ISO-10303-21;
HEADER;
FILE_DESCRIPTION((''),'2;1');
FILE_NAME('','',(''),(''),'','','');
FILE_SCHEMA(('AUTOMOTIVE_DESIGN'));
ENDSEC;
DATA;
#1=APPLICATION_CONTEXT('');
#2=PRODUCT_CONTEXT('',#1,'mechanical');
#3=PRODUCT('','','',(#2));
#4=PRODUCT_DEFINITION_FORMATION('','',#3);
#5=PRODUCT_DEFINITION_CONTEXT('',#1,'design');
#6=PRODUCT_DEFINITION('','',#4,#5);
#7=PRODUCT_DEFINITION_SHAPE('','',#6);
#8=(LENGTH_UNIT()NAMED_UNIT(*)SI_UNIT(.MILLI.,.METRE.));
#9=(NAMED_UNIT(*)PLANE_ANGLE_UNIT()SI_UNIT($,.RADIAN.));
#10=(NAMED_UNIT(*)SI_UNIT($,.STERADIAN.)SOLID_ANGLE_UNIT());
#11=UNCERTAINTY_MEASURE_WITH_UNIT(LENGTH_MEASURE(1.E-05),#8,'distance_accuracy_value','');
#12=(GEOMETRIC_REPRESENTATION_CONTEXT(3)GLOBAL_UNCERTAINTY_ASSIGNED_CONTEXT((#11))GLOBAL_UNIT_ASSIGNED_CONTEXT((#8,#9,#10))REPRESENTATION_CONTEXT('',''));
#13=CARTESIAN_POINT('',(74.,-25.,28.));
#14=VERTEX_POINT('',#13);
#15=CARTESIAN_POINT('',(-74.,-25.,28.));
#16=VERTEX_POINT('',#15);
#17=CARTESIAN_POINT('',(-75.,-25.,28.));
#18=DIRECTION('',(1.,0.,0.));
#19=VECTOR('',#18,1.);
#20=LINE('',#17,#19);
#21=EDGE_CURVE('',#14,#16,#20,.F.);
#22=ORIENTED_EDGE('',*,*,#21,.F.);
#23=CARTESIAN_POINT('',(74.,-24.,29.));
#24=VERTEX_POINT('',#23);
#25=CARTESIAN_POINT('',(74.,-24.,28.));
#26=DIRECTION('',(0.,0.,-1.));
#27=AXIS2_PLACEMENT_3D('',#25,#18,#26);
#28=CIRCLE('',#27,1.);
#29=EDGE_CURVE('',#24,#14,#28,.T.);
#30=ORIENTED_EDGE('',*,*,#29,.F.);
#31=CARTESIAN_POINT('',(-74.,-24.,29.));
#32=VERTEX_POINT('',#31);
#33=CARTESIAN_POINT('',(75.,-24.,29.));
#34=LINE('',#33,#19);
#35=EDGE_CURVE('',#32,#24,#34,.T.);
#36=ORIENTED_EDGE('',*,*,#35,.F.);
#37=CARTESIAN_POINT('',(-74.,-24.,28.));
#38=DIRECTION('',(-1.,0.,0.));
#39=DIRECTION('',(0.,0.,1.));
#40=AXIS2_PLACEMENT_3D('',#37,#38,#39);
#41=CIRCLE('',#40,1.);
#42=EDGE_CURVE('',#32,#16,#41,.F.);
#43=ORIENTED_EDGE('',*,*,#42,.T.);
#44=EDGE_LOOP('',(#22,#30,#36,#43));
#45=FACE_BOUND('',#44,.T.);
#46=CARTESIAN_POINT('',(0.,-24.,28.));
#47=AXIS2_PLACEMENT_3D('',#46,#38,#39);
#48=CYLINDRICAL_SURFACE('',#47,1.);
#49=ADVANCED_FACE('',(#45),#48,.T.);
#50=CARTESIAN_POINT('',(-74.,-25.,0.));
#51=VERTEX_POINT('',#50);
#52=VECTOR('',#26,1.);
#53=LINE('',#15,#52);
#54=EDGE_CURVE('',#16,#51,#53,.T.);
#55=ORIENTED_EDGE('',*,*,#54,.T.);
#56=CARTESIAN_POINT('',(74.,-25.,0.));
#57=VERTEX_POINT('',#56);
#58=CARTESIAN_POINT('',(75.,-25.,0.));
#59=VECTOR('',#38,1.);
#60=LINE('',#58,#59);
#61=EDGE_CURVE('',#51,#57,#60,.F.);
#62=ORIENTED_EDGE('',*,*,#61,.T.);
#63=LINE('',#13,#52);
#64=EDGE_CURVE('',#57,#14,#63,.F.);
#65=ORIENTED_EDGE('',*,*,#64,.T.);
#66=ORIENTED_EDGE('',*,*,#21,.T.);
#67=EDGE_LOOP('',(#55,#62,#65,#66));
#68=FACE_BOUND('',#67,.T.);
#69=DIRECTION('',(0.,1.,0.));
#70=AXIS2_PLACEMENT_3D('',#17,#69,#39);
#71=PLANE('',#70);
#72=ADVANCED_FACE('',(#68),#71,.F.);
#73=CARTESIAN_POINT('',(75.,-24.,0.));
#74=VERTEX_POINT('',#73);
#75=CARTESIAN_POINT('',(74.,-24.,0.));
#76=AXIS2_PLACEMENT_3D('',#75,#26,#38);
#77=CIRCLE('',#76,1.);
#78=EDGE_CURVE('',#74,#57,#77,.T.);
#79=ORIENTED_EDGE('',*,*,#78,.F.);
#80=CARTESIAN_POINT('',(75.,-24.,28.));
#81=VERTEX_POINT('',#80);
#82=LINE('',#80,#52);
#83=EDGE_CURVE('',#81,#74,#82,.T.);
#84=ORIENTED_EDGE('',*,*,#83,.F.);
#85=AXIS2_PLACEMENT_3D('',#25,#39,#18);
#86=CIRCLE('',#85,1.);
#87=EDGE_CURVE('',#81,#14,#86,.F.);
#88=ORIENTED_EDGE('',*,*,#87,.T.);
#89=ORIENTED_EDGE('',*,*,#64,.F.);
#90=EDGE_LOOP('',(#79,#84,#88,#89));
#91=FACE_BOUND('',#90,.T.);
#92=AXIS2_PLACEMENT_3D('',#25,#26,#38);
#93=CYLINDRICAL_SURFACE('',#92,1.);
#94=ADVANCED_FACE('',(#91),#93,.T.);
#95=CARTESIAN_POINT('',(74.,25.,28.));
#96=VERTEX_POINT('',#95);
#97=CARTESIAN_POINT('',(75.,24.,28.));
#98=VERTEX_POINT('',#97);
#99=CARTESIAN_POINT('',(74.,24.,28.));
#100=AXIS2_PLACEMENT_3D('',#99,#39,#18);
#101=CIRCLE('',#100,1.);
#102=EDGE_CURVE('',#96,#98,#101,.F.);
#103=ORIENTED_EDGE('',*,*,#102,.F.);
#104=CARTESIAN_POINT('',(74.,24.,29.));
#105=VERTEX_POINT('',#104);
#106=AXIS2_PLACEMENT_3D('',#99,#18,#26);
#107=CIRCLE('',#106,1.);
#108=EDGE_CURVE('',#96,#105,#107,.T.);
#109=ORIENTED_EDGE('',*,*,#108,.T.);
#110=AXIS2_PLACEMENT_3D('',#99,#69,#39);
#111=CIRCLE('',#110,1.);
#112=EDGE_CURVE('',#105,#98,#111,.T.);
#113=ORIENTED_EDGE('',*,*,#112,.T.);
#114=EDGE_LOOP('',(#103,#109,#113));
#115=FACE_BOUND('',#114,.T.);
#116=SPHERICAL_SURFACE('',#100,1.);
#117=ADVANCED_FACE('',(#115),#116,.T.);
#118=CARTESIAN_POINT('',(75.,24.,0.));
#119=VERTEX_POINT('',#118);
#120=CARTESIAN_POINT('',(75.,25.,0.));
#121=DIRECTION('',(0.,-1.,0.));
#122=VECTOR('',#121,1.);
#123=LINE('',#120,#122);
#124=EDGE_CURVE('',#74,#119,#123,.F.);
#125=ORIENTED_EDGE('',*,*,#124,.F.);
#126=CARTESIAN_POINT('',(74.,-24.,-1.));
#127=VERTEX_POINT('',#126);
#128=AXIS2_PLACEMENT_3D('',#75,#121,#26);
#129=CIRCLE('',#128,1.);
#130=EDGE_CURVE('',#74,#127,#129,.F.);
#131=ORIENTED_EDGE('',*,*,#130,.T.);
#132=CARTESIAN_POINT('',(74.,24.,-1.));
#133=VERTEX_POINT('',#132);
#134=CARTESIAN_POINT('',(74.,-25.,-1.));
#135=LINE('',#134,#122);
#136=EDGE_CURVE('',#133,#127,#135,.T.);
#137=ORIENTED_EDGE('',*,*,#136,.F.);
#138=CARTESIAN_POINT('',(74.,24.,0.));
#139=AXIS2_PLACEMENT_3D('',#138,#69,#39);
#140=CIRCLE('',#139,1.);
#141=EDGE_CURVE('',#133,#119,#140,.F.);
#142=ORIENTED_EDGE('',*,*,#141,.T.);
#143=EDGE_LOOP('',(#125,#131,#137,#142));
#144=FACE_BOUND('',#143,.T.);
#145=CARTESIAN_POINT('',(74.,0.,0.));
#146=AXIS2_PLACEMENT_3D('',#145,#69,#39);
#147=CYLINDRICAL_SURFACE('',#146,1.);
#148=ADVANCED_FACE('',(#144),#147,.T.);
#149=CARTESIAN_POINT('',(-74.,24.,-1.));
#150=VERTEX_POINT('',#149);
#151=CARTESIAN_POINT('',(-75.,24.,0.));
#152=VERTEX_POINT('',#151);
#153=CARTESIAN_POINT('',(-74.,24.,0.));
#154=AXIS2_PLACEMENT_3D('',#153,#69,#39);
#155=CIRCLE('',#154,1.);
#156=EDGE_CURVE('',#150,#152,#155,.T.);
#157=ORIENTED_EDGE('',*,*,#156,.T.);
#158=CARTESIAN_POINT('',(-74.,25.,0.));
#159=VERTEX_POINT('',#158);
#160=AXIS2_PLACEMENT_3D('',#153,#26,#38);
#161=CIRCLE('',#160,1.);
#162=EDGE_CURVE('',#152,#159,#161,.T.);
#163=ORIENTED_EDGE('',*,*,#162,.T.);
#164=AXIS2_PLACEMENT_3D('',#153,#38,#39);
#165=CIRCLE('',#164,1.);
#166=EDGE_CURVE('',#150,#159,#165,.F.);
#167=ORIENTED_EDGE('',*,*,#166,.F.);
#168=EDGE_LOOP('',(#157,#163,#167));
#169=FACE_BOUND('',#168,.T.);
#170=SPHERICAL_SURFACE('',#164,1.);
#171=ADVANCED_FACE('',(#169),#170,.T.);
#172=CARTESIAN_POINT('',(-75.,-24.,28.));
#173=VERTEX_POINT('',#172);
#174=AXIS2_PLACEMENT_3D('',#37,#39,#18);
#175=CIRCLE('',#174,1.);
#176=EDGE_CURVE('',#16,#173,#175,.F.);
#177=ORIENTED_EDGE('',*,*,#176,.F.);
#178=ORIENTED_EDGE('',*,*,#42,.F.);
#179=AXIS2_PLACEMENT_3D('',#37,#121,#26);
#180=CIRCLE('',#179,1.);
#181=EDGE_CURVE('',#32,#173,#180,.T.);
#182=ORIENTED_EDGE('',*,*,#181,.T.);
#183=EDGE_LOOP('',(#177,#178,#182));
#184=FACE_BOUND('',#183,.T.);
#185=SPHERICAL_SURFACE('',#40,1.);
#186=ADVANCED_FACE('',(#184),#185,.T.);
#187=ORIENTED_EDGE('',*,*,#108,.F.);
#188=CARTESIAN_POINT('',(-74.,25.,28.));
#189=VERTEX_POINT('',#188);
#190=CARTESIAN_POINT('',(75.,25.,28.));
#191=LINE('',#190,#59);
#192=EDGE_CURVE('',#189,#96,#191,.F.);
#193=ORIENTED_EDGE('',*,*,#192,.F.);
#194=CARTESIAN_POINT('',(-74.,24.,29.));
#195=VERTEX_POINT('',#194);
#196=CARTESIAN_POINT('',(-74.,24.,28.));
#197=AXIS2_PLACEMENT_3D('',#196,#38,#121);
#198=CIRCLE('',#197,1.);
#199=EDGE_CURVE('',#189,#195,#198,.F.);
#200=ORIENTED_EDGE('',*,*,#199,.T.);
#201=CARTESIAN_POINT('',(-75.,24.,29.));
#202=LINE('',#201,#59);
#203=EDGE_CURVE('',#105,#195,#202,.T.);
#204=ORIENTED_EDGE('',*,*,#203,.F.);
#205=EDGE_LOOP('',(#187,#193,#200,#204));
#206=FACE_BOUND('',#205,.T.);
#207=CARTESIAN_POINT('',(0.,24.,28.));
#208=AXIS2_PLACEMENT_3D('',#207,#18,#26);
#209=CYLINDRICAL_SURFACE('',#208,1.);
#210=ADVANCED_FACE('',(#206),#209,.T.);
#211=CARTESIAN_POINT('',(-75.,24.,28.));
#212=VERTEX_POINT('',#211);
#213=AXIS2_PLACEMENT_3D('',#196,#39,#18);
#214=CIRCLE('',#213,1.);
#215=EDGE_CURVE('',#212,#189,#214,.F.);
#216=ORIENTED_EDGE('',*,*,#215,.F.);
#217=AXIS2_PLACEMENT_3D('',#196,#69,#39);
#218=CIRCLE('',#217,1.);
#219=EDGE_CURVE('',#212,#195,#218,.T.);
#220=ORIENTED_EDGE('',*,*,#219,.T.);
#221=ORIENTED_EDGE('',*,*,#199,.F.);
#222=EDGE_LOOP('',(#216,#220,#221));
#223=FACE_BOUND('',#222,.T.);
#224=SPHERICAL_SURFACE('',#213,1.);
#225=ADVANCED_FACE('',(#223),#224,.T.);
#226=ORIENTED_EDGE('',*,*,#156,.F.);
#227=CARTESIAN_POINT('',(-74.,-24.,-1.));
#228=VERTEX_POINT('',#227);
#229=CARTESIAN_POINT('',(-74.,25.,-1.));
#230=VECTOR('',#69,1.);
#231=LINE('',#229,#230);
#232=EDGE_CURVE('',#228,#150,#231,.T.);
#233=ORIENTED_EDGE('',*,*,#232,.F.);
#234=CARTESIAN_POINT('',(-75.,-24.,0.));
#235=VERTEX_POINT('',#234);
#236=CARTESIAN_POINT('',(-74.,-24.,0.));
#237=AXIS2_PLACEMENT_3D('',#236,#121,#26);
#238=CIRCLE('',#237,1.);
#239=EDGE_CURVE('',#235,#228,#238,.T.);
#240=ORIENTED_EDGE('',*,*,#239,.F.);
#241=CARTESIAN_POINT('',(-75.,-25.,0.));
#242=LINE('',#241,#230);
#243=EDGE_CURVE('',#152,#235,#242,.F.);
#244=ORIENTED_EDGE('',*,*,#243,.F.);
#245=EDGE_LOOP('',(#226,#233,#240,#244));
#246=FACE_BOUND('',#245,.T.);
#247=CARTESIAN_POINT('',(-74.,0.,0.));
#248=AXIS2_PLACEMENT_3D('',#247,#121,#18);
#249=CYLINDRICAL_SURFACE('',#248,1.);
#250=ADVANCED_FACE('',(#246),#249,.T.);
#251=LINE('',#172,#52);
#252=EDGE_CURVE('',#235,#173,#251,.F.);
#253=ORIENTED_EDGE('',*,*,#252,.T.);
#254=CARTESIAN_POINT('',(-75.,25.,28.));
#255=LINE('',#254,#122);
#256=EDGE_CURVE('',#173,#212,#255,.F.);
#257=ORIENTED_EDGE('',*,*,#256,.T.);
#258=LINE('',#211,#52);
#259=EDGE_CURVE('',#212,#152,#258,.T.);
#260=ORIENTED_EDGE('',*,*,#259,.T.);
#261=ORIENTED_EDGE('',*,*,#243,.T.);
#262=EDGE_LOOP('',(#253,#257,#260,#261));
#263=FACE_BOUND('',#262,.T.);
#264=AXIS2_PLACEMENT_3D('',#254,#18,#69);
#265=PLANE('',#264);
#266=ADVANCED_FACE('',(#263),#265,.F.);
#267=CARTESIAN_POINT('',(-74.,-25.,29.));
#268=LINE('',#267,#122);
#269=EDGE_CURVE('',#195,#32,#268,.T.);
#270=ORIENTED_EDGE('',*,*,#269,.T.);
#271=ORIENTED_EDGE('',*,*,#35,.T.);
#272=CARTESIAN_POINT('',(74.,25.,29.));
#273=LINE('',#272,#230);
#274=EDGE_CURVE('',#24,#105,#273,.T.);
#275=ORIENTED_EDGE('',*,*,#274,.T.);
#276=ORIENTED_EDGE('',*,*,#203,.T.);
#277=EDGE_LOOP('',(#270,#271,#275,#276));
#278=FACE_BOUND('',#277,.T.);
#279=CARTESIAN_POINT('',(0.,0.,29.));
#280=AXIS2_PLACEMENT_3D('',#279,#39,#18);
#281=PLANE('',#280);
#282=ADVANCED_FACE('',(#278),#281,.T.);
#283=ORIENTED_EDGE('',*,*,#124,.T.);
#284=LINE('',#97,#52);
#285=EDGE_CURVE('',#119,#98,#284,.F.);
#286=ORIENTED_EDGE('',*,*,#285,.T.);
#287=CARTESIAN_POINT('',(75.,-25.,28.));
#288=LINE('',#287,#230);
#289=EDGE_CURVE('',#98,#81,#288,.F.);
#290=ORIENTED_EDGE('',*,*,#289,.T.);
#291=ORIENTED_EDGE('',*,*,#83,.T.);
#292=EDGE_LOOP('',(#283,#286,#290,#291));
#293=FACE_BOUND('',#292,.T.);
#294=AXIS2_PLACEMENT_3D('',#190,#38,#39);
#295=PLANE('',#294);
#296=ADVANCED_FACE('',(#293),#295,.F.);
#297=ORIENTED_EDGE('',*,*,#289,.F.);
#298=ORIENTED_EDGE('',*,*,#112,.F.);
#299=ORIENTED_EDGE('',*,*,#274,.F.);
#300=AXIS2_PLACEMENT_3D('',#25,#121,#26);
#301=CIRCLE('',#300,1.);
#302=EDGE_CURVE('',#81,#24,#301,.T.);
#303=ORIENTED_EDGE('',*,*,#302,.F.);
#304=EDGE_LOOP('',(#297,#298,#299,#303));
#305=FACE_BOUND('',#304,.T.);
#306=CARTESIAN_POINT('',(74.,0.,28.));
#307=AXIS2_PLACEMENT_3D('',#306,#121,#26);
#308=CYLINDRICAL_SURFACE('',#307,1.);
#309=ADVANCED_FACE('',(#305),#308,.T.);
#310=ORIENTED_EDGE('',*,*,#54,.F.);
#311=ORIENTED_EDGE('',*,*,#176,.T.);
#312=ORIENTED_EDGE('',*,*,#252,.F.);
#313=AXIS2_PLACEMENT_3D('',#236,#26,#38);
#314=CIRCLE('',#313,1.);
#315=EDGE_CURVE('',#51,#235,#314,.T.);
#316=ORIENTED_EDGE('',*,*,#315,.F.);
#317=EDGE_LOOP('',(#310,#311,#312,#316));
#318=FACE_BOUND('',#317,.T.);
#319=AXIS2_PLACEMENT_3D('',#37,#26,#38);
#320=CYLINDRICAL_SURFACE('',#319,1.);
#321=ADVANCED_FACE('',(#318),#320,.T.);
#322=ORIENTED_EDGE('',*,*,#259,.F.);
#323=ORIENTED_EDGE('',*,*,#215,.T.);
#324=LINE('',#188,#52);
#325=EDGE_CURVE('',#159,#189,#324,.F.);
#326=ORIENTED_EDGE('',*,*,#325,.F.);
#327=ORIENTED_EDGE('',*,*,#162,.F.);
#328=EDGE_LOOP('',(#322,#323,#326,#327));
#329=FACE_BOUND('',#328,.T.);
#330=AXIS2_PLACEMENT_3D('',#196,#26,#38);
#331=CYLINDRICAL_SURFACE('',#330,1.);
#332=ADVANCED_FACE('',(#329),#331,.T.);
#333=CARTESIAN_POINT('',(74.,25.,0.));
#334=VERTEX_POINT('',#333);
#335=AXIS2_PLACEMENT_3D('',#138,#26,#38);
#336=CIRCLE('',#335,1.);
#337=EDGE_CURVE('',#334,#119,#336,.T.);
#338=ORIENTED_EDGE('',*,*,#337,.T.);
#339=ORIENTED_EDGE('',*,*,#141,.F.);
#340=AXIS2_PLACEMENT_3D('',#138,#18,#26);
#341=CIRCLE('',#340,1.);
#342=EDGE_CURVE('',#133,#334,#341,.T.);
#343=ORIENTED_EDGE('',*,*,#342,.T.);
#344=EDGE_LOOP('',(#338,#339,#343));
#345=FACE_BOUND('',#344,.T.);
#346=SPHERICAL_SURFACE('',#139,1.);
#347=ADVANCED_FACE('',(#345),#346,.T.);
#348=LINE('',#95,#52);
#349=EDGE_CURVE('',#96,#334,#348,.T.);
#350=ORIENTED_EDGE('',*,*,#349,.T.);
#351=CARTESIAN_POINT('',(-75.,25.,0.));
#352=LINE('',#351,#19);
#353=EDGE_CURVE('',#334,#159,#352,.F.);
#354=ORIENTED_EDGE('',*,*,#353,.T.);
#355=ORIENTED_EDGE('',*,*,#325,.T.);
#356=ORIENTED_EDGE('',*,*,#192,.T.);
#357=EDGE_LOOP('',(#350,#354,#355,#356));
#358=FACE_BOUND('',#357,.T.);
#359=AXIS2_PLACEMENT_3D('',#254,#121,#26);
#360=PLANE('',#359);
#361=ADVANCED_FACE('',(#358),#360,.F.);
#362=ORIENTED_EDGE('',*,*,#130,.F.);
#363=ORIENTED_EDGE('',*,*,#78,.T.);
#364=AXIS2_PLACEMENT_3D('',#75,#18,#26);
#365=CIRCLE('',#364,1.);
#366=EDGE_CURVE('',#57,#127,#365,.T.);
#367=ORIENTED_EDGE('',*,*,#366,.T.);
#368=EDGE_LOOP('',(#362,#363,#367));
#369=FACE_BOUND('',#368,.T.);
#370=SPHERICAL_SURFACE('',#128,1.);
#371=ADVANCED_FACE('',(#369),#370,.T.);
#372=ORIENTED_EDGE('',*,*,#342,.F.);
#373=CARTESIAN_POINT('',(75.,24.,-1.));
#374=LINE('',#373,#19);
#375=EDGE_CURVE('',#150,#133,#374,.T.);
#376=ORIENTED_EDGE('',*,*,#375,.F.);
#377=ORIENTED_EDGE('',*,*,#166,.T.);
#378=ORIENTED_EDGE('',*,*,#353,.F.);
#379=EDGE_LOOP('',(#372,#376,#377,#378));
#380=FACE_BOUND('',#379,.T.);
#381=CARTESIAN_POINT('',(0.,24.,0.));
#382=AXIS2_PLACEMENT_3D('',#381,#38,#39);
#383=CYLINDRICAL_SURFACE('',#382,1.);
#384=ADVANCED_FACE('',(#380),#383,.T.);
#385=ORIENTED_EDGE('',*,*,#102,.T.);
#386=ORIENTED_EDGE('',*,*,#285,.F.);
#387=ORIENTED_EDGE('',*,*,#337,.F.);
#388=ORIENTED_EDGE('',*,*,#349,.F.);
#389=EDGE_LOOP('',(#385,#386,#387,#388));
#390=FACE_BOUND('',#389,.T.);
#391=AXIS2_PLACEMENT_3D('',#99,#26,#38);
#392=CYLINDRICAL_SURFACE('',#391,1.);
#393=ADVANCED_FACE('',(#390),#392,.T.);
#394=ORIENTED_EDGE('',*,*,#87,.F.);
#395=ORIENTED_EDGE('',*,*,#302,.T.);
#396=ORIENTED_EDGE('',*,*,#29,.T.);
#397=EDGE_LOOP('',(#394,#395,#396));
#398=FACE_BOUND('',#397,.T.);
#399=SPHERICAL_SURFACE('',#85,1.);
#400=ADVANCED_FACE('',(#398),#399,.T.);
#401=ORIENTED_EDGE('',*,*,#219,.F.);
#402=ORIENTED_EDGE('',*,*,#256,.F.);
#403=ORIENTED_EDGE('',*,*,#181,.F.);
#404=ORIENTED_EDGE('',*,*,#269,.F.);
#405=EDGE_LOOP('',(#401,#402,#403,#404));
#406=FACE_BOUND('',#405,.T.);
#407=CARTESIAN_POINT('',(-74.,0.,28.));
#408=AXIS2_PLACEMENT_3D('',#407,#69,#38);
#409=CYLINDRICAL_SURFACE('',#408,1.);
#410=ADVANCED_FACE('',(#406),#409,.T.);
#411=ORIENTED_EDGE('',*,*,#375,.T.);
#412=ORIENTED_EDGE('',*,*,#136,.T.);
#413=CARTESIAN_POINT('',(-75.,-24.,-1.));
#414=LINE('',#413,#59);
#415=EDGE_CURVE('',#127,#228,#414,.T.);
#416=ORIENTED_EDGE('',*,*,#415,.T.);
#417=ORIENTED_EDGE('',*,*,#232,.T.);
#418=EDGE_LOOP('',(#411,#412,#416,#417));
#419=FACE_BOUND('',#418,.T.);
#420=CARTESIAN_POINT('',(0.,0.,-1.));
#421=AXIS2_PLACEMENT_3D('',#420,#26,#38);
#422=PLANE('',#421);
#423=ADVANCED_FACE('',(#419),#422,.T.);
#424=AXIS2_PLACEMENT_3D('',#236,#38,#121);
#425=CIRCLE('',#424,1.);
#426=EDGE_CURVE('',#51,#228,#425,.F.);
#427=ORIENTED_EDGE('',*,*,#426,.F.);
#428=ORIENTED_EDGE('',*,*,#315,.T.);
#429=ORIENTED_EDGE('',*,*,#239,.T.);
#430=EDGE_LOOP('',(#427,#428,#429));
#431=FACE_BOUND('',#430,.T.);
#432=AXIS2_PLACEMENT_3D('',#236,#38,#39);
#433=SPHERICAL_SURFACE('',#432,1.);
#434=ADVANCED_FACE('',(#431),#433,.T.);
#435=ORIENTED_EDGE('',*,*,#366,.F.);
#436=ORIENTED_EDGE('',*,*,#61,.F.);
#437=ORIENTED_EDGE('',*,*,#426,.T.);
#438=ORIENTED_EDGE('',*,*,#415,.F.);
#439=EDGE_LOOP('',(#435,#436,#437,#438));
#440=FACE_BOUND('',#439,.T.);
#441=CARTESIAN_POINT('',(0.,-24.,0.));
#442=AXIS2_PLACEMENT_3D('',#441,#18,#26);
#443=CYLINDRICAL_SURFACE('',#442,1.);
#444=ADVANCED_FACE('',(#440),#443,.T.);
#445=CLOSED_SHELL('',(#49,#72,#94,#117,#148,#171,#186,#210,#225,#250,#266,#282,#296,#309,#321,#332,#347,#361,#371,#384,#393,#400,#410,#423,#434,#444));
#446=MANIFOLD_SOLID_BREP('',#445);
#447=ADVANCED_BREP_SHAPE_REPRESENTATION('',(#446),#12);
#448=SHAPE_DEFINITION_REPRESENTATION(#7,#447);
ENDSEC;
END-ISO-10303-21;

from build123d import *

# Parameters (mm, degrees)
SKETCH1_W           = 150
SKETCH1_H           = 50
BOSS_EXTRUDE1_DEPTH = 28
SKETCH3_W           = 150
SKETCH3_H           = 50
BOSS_EXTRUDE2_DEPTH = 1
SKETCH4_W           = 150
SKETCH4_H           = 50
BOSS_EXTRUDE3_DEPTH = 1
FILLET1_R           = 1


with BuildPart() as part:
    # Sketch1 → Boss-Extrude1 (new body)
    with BuildSketch(Plane.XY):
        Rectangle(SKETCH1_W, SKETCH1_H)
    extrude(amount=BOSS_EXTRUDE1_DEPTH)

    # Sketch3 → Boss-Extrude2 (add)
    with BuildSketch(Plane.XY.offset(28)):
        Rectangle(SKETCH3_W, SKETCH3_H)
    extrude(amount=BOSS_EXTRUDE2_DEPTH)

    # Sketch4 → Boss-Extrude3 (add)
    with BuildSketch(Plane(origin=(0, 0, 0), x_dir=(-1, 0, 0), z_dir=(0, 0, -1))):
        Rectangle(SKETCH4_W, SKETCH4_H)
    extrude(amount=BOSS_EXTRUDE3_DEPTH)

    # Fillet1
    fillet1_edges = [part.edges().sort_by_distance(p)[0] for p in [
        (75, 0, 29),
        (0, 25, 29),
        (-75, 0, 29),
        (0, -25, 29),
        (-75, 0, -1),
        (0, 25, -1),
        (75, 0, -1),
        (0, -25, -1),
        (75, -25, 14),
        (-75, -25, 14),
        (-75, 25, 14),
        (75, 25, 14),
    ]]
    fillet(fillet1_edges, radius=FILLET1_R)


solid = part.part
